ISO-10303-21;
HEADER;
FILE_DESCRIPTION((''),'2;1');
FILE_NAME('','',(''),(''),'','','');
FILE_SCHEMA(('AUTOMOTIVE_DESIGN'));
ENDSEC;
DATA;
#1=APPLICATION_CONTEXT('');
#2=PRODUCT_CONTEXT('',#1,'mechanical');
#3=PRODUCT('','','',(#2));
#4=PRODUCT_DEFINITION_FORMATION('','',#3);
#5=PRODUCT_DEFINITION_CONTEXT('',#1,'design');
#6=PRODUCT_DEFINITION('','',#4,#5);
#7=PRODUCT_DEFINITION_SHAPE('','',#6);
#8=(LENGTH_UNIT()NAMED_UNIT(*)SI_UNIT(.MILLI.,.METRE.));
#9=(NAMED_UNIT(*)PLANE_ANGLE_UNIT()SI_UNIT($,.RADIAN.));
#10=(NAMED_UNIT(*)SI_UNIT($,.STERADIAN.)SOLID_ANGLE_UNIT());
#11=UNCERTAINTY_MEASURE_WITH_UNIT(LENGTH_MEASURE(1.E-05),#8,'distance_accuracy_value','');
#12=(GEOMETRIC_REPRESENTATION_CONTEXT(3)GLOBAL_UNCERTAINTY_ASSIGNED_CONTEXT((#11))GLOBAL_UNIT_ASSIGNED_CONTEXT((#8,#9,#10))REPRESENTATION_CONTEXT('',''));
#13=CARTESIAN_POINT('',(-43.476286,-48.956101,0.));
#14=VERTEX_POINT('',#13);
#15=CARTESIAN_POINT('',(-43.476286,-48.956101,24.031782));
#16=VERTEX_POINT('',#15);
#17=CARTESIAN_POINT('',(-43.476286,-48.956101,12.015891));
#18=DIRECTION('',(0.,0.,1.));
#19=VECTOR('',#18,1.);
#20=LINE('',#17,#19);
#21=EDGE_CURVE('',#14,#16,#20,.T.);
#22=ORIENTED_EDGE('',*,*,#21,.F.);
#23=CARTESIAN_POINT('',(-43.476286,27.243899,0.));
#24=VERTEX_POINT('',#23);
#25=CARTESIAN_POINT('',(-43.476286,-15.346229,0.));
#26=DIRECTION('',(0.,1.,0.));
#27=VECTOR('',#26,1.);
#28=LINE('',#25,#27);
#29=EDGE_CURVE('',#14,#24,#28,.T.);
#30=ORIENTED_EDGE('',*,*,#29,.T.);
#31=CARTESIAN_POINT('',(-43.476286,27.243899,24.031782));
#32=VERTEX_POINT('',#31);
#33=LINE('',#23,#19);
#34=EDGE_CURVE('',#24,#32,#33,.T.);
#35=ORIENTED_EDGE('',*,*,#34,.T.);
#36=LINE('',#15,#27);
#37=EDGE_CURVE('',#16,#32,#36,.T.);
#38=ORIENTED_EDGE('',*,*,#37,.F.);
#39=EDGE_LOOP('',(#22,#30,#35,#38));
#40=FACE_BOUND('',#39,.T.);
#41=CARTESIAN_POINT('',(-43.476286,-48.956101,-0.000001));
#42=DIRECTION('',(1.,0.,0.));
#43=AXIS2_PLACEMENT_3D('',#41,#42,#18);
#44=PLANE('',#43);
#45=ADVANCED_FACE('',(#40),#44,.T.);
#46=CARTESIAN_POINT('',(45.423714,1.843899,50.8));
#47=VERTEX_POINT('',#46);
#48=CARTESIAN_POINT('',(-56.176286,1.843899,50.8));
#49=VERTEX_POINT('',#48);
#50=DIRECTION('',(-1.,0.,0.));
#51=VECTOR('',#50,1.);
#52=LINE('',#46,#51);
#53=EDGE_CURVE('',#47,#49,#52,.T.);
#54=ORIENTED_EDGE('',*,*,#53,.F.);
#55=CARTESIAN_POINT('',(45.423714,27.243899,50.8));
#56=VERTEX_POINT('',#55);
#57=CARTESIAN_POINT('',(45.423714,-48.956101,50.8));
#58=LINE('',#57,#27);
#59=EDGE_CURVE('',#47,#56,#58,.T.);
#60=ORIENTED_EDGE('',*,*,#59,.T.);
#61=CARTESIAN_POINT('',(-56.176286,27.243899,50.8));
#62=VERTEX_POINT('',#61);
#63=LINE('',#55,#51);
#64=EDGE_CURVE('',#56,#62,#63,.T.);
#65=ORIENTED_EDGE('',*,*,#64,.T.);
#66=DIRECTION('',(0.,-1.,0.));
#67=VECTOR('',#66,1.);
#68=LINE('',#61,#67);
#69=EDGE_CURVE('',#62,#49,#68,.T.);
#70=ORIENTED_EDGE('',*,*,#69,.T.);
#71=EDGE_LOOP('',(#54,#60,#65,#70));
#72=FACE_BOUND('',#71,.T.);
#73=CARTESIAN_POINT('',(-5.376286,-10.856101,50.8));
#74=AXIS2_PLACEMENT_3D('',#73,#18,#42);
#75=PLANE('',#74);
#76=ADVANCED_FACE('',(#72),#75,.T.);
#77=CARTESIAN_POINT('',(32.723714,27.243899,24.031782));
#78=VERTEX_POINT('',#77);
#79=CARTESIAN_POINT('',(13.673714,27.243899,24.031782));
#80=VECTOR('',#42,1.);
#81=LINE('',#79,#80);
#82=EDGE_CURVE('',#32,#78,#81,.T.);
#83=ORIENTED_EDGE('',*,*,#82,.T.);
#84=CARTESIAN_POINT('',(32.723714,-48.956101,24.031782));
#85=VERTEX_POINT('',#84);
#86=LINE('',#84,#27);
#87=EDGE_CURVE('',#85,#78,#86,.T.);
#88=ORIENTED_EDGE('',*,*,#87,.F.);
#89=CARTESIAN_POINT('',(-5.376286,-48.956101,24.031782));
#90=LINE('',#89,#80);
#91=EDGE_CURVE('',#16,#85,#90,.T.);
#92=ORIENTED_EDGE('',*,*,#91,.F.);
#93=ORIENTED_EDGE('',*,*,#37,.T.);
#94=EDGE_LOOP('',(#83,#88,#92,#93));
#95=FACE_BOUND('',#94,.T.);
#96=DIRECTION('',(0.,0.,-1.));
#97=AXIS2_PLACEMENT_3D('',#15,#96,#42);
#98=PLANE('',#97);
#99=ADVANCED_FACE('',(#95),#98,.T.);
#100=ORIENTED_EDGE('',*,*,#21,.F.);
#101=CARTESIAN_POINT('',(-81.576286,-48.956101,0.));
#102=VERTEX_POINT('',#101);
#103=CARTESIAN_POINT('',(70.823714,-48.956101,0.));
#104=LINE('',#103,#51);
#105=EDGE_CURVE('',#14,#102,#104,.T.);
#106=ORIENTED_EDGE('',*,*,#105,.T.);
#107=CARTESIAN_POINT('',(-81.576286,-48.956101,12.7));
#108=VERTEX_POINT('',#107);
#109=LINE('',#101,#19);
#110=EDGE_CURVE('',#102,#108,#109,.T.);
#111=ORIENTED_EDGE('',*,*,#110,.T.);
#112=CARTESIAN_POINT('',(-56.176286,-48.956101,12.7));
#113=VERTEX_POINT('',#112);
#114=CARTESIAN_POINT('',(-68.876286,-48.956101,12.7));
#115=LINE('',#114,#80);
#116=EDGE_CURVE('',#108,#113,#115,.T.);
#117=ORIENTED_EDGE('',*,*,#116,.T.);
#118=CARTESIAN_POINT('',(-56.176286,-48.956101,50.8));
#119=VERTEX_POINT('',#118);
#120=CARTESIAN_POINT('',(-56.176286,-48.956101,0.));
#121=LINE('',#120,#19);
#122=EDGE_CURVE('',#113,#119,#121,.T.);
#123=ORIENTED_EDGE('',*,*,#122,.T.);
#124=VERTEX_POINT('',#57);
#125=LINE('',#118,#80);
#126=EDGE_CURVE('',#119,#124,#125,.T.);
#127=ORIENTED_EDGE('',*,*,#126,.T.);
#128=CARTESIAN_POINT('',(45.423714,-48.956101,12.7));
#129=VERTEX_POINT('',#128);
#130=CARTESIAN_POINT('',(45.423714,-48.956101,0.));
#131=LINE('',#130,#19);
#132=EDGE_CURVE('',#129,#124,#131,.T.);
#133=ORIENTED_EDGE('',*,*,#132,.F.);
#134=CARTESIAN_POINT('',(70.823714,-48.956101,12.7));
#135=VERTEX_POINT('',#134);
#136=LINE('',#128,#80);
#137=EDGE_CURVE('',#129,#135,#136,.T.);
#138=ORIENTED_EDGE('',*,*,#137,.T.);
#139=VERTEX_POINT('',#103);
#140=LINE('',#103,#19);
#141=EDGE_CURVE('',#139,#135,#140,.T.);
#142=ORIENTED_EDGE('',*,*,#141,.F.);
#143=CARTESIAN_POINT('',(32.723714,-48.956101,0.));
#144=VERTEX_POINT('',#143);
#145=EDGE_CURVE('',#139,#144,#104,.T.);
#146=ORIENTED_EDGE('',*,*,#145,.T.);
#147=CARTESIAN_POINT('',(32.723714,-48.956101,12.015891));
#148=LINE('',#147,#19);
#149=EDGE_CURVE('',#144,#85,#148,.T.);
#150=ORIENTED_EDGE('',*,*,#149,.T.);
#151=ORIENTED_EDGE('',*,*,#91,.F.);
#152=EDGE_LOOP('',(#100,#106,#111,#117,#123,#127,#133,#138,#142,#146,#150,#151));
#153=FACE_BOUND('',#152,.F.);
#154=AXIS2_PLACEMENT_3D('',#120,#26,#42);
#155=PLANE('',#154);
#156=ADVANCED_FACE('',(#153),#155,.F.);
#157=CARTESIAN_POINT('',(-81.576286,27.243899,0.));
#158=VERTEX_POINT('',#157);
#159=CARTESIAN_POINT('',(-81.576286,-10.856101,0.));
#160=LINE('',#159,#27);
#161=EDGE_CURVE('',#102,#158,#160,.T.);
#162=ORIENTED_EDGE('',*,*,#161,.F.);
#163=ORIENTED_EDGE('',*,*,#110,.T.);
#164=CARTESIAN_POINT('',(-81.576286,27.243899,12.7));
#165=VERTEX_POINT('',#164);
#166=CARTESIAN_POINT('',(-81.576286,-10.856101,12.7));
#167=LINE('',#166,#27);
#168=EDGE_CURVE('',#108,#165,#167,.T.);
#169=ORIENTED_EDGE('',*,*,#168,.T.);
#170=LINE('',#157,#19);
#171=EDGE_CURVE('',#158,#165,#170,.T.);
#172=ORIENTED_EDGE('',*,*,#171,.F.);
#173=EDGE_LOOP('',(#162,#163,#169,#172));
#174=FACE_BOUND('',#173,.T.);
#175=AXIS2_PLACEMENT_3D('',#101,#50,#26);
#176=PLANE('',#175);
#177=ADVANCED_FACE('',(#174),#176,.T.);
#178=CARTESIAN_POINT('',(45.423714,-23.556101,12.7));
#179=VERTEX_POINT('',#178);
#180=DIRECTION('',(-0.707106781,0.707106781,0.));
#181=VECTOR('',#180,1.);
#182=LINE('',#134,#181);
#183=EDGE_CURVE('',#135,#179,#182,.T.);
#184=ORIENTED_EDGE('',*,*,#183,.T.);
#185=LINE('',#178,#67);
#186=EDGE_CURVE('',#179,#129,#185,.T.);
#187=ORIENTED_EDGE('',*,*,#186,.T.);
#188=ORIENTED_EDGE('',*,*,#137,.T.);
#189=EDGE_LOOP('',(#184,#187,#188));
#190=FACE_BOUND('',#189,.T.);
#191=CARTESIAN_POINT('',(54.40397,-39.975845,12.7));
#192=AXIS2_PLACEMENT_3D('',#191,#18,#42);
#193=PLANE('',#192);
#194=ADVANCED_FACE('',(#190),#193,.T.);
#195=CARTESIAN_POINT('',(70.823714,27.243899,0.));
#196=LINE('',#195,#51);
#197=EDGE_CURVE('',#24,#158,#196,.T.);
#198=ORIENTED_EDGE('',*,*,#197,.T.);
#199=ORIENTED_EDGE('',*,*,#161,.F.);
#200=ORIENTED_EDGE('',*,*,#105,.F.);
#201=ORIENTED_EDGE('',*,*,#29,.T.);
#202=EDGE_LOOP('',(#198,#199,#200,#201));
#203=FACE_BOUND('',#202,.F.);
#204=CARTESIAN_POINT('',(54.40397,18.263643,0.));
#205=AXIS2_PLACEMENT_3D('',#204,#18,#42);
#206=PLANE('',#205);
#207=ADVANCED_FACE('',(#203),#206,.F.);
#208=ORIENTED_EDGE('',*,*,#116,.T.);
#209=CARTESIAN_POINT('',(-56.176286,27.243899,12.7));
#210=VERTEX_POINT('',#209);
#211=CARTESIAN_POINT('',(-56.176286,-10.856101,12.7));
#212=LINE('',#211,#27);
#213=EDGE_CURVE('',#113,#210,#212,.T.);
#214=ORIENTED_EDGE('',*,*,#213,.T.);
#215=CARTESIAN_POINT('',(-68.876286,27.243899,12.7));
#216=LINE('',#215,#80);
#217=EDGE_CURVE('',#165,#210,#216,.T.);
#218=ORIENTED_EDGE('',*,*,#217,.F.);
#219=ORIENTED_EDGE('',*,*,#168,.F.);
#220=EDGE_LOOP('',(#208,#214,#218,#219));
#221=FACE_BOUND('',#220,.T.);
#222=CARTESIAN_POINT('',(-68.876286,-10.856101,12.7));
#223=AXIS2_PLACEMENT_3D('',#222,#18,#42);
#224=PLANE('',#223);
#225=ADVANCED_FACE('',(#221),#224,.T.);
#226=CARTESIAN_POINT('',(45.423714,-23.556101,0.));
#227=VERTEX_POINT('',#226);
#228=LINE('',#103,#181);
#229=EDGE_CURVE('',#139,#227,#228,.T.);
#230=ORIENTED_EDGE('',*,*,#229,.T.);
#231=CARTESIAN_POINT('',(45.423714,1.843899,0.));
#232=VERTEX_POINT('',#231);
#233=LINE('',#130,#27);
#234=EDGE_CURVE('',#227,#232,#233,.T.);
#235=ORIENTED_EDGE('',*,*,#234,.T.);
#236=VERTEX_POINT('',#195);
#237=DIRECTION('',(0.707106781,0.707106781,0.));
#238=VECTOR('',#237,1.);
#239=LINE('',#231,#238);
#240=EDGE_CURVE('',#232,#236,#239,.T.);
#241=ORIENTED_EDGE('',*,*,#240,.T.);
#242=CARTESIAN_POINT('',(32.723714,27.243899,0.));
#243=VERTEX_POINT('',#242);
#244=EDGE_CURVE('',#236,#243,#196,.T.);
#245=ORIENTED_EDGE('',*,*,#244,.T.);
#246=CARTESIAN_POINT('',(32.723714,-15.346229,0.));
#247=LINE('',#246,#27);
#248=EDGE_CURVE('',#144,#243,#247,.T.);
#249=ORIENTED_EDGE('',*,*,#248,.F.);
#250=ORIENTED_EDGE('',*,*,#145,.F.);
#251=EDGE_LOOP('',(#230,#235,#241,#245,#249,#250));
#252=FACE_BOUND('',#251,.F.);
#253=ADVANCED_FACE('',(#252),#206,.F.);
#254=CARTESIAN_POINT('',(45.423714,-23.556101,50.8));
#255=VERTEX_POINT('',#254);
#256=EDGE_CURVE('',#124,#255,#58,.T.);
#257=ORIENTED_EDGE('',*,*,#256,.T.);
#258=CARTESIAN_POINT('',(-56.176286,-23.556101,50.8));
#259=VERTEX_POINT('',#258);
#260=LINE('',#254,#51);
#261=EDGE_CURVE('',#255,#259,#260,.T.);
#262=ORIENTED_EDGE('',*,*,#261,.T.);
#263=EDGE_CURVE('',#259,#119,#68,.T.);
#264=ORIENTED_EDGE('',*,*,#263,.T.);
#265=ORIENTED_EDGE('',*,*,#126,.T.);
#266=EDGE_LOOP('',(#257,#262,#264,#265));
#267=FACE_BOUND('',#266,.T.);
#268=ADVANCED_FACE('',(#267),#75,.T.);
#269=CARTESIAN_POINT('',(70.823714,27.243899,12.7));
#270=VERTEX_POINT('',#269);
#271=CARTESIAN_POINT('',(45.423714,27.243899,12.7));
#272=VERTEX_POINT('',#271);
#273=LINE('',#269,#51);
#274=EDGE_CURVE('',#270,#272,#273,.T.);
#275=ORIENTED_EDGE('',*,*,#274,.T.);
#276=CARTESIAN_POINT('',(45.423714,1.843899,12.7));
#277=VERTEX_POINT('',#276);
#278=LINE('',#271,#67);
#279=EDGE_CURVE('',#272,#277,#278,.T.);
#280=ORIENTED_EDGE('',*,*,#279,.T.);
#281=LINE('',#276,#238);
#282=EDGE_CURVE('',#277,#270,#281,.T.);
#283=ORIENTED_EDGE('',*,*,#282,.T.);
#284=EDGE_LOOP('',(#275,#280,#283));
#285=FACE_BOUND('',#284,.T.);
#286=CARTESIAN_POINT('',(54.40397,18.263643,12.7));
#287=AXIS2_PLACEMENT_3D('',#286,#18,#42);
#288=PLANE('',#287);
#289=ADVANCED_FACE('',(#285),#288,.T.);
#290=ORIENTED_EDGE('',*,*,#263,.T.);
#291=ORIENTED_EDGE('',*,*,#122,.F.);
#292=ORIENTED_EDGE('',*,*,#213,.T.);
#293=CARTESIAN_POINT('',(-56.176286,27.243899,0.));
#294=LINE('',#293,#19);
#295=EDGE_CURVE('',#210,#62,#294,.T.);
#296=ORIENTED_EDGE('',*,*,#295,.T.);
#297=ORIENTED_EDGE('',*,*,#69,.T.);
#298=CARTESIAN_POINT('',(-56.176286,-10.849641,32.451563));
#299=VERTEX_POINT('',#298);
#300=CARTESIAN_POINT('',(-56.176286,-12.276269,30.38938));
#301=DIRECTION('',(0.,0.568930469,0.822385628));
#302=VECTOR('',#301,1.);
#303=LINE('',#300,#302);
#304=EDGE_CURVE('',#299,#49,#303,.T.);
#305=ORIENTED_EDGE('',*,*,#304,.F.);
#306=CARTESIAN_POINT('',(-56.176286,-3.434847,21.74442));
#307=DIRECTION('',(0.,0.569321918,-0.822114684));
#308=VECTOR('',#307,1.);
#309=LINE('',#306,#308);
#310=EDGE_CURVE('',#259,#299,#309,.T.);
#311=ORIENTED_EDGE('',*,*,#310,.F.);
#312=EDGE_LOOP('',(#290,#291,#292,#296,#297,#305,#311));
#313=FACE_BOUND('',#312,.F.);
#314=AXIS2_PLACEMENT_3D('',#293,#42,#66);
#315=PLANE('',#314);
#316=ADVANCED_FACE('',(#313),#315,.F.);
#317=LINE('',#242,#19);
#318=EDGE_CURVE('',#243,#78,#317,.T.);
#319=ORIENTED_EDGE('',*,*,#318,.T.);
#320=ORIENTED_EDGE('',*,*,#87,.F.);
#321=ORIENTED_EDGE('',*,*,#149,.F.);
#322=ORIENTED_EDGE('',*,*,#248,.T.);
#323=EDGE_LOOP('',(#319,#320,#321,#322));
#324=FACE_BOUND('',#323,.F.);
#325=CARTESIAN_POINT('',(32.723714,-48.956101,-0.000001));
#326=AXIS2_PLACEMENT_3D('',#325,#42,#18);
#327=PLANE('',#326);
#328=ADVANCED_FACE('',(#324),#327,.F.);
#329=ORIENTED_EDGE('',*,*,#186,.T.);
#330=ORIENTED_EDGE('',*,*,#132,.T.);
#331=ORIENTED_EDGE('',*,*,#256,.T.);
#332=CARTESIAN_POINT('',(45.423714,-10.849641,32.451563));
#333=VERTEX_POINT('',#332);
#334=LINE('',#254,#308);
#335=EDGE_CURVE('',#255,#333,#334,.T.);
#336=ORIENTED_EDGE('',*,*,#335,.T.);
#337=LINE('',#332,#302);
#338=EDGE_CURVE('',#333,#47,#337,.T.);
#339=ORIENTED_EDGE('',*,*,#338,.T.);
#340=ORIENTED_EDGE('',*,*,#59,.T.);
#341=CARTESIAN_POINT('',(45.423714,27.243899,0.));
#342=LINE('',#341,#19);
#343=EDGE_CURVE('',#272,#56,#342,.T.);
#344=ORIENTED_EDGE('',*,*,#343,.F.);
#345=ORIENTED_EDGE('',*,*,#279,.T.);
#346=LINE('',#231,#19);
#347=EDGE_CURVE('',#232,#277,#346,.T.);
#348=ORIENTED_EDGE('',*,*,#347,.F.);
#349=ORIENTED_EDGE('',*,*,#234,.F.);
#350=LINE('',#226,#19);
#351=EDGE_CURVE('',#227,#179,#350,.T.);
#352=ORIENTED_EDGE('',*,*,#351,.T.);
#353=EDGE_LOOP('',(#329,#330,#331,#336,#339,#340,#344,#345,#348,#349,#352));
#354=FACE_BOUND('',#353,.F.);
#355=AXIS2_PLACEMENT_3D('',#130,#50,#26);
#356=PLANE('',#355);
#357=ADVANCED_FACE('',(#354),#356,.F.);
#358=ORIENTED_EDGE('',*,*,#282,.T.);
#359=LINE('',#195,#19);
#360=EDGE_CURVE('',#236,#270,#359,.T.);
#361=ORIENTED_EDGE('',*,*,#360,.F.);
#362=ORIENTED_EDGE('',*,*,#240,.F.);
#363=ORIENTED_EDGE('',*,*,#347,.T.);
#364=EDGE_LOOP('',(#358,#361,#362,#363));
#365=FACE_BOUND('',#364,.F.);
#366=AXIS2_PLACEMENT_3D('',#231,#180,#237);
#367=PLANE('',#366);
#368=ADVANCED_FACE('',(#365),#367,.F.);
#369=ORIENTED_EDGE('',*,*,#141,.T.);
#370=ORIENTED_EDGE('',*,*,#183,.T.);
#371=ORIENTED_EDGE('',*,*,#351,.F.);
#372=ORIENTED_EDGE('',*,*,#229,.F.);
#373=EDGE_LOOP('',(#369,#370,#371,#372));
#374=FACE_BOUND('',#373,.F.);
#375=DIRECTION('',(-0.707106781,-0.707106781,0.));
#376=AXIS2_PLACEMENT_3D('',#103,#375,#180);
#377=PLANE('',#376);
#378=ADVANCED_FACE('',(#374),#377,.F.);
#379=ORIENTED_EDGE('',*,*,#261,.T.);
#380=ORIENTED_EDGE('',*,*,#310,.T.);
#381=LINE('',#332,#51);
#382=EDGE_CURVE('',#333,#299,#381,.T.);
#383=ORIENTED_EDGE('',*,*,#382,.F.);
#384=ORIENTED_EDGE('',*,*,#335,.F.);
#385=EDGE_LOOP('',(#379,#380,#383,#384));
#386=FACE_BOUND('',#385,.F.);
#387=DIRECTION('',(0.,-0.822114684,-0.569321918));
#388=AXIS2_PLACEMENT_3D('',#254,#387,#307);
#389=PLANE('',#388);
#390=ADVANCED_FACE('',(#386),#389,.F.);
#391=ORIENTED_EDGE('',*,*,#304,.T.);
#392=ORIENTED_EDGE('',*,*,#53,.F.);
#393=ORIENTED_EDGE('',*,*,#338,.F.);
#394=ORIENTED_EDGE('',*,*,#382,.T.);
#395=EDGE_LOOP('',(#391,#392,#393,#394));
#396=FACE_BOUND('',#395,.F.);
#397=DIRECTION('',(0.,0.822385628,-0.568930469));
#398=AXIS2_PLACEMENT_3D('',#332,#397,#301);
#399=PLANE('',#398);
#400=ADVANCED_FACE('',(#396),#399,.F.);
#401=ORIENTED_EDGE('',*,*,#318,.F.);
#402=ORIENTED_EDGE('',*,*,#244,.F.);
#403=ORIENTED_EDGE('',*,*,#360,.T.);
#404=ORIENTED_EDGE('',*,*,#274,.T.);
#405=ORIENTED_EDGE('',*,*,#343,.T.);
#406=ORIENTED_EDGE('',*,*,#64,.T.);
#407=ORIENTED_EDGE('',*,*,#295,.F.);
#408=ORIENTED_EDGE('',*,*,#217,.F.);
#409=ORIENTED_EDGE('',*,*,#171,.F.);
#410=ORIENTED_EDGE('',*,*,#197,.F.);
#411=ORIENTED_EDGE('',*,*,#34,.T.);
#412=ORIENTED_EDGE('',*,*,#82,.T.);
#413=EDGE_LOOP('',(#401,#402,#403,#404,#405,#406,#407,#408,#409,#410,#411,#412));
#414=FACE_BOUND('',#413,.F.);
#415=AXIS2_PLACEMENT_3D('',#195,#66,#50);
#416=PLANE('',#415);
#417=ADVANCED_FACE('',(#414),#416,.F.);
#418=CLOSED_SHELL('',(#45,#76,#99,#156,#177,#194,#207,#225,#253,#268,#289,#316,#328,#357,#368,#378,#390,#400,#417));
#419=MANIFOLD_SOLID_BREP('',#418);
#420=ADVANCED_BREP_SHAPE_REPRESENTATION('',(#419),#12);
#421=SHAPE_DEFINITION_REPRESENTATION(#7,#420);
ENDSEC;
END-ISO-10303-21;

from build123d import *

# Parameters (mm, degrees)
F0_W     = 25.4
F0_H     = 76.2
F1_DEPTH = 12.7
F2_DEPTH = 50.8
F3_DEPTH = 12.7
F5_DEPTH = 127.001
F6_W     = 76.2
F6_H     = 24.031783
F7_DEPTH = 76.201


with BuildPart() as f1:
    # F0 (on Top) → F1 (new body)
    with BuildSketch(Plane.XY):
        with Locations((-68.876286, -10.856101)):
            Rectangle(F0_W, F0_H)
    extrude(amount=F1_DEPTH)

    # F0 (on Top) → F2 (join)
    with BuildSketch(Plane.XY):
        Polygon((45.423714, 27.243899), (-56.176286, 27.243899), (-56.176286, -48.956101), (45.423714, -48.956101), (45.423714, -23.556101), (45.423714, 1.843899), align=None)
    extrude(amount=F2_DEPTH)

    # F0 (on Top) → F3 (join)
    with BuildSketch(Plane.XY):
        Polygon((70.823714, 27.243899), (45.423714, 27.243899), (45.423714, 1.843899), align=None)
        Polygon((45.423714, -23.556101), (45.423714, -48.956101), (70.823714, -48.956101), align=None)
    extrude(amount=F3_DEPTH)

    # F4 (on face) → F5 (cut, through all)
    with BuildSketch(Plane.YZ.offset(45.423714)):
        Polygon((-10.849641, 32.451563), (1.843899, 50.8), (-23.556101, 50.8), align=None)
    extrude(amount=-F5_DEPTH, mode=Mode.SUBTRACT)

    # F6 (on face) → F7 (cut, through all)
    with BuildSketch(Plane.XZ.offset(48.956101)):
        with Locations((-5.376286, 12.015891)):
            Rectangle(F6_W, F6_H)
    extrude(amount=-F7_DEPTH, mode=Mode.SUBTRACT)


solid = f1.part
